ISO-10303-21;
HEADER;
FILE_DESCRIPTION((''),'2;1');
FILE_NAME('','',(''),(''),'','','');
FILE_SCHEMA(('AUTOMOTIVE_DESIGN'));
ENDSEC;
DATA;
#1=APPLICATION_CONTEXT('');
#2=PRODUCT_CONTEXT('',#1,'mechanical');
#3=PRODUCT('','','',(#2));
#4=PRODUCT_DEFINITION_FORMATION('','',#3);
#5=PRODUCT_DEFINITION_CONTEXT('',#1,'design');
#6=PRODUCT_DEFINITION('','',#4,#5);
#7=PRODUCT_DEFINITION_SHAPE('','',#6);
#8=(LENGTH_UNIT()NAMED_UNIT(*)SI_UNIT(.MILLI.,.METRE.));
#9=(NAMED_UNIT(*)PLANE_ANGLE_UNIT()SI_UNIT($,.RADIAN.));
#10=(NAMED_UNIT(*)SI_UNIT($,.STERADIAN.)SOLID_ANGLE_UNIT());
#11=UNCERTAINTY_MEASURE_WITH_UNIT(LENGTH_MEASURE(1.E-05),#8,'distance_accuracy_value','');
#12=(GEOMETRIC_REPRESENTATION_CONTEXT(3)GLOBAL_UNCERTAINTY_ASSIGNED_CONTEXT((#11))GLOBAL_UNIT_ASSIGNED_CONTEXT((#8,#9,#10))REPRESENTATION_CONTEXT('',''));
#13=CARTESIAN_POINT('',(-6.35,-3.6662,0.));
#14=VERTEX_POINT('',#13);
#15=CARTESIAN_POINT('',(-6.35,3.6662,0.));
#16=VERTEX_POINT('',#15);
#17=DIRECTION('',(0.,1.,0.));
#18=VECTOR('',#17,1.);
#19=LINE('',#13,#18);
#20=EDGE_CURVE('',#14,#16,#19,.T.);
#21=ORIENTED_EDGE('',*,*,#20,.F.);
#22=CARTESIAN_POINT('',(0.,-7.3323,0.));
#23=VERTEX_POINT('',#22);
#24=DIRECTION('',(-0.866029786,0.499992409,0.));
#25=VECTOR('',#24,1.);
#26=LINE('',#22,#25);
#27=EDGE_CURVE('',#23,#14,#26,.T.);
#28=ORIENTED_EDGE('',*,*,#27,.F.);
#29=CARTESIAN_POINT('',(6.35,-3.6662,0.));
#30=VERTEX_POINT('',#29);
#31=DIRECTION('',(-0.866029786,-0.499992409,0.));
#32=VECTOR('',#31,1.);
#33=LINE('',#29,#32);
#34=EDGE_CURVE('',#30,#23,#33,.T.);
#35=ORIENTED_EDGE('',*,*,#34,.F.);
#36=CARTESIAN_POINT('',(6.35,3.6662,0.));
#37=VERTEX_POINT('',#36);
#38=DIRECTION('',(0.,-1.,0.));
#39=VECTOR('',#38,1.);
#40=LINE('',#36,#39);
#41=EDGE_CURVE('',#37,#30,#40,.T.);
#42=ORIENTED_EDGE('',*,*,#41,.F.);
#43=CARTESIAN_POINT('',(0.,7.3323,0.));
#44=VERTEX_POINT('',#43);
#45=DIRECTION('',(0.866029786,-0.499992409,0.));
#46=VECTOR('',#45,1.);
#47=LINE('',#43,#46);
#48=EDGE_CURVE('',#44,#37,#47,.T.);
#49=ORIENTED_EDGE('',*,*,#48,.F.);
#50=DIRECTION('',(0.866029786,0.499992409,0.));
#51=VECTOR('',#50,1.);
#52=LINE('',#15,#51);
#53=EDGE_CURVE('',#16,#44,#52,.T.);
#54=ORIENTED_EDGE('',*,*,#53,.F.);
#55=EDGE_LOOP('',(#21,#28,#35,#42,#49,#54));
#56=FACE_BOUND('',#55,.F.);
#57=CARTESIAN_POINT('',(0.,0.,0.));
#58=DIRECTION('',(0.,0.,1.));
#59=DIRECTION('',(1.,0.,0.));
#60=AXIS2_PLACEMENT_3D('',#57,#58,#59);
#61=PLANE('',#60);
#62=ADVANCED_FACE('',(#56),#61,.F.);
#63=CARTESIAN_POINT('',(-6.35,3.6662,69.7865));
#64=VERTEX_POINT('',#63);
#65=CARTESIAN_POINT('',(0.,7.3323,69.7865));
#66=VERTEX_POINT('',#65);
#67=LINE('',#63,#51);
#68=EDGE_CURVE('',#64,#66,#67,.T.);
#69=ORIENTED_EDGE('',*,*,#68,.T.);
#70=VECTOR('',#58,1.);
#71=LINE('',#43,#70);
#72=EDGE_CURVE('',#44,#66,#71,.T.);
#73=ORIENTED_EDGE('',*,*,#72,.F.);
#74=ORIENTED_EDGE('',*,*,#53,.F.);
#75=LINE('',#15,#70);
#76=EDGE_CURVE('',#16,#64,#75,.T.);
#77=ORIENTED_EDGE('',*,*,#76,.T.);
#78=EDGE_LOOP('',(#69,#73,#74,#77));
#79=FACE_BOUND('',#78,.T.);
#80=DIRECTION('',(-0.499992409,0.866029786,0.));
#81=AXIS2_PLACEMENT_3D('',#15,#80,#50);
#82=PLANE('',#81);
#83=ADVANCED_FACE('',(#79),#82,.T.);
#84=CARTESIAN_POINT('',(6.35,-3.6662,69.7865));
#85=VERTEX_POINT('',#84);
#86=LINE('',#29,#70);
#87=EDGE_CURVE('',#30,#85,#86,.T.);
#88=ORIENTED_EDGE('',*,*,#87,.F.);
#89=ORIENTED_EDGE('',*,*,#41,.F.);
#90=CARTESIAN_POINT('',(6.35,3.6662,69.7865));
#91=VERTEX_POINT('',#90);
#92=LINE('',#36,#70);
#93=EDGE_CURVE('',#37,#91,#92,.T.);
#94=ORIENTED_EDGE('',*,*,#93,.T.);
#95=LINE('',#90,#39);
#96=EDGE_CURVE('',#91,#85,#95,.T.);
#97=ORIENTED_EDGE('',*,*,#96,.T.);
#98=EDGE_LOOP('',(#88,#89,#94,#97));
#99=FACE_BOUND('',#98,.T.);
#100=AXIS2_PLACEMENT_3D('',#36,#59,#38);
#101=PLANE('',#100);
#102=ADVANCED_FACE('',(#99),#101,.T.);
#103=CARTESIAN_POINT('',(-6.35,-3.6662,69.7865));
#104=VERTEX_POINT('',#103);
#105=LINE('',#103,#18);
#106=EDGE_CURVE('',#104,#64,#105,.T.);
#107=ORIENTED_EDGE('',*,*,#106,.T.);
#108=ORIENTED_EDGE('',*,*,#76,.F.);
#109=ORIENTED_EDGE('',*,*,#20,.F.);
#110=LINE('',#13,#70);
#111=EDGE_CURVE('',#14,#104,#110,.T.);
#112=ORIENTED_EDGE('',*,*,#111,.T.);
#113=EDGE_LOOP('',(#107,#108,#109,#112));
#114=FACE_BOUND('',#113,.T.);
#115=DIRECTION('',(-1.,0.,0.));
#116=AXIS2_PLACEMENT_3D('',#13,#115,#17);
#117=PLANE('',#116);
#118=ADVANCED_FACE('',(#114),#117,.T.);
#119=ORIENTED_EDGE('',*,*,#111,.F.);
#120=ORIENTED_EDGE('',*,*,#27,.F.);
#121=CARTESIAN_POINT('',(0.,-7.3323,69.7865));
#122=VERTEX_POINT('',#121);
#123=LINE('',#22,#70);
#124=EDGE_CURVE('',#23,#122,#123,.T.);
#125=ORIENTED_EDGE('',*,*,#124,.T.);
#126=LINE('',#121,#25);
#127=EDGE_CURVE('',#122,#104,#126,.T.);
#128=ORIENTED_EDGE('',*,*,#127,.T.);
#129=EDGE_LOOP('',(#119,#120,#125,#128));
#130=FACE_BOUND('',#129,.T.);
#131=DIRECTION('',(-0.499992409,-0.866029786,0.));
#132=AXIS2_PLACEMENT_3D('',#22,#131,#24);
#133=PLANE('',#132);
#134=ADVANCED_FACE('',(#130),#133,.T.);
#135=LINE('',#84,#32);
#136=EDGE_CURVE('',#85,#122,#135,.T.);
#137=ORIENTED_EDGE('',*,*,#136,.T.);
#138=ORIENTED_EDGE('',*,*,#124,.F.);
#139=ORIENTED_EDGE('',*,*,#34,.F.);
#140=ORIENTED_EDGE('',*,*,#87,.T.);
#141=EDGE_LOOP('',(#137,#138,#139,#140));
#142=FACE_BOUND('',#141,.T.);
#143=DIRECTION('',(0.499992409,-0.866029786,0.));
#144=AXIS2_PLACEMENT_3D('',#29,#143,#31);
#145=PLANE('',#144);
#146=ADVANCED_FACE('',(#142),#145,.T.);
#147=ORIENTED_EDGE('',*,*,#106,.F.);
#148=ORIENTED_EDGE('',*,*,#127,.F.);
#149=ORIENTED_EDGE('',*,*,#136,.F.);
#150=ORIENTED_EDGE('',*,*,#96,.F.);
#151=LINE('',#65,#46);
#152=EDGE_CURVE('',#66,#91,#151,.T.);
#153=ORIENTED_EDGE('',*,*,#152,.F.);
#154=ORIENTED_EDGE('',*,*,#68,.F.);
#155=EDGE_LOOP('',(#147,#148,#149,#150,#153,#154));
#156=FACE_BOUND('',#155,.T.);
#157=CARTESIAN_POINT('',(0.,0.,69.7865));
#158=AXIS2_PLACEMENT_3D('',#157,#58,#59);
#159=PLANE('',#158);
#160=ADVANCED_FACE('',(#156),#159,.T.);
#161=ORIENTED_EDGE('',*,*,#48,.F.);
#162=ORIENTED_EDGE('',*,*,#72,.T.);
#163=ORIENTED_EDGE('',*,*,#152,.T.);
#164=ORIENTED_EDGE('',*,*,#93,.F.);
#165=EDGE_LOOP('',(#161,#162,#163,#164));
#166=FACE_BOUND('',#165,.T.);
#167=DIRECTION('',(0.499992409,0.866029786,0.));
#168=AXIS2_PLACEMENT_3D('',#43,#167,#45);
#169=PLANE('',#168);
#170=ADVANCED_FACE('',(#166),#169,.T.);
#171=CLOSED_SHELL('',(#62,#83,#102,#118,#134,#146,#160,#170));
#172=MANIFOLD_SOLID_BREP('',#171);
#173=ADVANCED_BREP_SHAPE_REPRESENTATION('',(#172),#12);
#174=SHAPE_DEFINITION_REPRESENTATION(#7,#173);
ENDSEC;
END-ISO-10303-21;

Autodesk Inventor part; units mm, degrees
ref_plane "YZ Plane" through (0, 0, 0) normal (1, 0, 0) x (0, 1, 0)
ref_plane "XZ Plane" through (0, 0, 0) normal (0, 1, 0) x (-1, 0, 0)
ref_plane "XY Plane" through (0, 0, 0) normal (0, 0, 1) x (1, 0, 0)
sketch "Sketch1" plane through (0, 0, 0) normal (0, 0, 1) x (1, 0, 0)
  line L0 (-6.35, 3.6662) -> (0, 7.3323)
  line L1 (0, 7.3323) -> (6.35, 3.6662)
  line L2 (6.35, 3.6662) -> (6.35, -3.6662)
  line L3 (6.35, -3.6662) -> (0, -7.3323)
  line L4 (0, -7.3323) -> (-6.35, -3.6662)
  line L5 (-6.35, -3.6662) -> (-6.35, 3.6662)
  line L6 (0, -10.2653) -> (0, 10.2653) construction
  point P0 (0, 0)
  point P1 (0, 0)
  dimension "d0" = 12.7
extrude "Extrusion1" add sketch "Sketch1" along normal blind 69.7865
properties part number "2_1-2_hex_shaft" material "Aluminum 6061"
